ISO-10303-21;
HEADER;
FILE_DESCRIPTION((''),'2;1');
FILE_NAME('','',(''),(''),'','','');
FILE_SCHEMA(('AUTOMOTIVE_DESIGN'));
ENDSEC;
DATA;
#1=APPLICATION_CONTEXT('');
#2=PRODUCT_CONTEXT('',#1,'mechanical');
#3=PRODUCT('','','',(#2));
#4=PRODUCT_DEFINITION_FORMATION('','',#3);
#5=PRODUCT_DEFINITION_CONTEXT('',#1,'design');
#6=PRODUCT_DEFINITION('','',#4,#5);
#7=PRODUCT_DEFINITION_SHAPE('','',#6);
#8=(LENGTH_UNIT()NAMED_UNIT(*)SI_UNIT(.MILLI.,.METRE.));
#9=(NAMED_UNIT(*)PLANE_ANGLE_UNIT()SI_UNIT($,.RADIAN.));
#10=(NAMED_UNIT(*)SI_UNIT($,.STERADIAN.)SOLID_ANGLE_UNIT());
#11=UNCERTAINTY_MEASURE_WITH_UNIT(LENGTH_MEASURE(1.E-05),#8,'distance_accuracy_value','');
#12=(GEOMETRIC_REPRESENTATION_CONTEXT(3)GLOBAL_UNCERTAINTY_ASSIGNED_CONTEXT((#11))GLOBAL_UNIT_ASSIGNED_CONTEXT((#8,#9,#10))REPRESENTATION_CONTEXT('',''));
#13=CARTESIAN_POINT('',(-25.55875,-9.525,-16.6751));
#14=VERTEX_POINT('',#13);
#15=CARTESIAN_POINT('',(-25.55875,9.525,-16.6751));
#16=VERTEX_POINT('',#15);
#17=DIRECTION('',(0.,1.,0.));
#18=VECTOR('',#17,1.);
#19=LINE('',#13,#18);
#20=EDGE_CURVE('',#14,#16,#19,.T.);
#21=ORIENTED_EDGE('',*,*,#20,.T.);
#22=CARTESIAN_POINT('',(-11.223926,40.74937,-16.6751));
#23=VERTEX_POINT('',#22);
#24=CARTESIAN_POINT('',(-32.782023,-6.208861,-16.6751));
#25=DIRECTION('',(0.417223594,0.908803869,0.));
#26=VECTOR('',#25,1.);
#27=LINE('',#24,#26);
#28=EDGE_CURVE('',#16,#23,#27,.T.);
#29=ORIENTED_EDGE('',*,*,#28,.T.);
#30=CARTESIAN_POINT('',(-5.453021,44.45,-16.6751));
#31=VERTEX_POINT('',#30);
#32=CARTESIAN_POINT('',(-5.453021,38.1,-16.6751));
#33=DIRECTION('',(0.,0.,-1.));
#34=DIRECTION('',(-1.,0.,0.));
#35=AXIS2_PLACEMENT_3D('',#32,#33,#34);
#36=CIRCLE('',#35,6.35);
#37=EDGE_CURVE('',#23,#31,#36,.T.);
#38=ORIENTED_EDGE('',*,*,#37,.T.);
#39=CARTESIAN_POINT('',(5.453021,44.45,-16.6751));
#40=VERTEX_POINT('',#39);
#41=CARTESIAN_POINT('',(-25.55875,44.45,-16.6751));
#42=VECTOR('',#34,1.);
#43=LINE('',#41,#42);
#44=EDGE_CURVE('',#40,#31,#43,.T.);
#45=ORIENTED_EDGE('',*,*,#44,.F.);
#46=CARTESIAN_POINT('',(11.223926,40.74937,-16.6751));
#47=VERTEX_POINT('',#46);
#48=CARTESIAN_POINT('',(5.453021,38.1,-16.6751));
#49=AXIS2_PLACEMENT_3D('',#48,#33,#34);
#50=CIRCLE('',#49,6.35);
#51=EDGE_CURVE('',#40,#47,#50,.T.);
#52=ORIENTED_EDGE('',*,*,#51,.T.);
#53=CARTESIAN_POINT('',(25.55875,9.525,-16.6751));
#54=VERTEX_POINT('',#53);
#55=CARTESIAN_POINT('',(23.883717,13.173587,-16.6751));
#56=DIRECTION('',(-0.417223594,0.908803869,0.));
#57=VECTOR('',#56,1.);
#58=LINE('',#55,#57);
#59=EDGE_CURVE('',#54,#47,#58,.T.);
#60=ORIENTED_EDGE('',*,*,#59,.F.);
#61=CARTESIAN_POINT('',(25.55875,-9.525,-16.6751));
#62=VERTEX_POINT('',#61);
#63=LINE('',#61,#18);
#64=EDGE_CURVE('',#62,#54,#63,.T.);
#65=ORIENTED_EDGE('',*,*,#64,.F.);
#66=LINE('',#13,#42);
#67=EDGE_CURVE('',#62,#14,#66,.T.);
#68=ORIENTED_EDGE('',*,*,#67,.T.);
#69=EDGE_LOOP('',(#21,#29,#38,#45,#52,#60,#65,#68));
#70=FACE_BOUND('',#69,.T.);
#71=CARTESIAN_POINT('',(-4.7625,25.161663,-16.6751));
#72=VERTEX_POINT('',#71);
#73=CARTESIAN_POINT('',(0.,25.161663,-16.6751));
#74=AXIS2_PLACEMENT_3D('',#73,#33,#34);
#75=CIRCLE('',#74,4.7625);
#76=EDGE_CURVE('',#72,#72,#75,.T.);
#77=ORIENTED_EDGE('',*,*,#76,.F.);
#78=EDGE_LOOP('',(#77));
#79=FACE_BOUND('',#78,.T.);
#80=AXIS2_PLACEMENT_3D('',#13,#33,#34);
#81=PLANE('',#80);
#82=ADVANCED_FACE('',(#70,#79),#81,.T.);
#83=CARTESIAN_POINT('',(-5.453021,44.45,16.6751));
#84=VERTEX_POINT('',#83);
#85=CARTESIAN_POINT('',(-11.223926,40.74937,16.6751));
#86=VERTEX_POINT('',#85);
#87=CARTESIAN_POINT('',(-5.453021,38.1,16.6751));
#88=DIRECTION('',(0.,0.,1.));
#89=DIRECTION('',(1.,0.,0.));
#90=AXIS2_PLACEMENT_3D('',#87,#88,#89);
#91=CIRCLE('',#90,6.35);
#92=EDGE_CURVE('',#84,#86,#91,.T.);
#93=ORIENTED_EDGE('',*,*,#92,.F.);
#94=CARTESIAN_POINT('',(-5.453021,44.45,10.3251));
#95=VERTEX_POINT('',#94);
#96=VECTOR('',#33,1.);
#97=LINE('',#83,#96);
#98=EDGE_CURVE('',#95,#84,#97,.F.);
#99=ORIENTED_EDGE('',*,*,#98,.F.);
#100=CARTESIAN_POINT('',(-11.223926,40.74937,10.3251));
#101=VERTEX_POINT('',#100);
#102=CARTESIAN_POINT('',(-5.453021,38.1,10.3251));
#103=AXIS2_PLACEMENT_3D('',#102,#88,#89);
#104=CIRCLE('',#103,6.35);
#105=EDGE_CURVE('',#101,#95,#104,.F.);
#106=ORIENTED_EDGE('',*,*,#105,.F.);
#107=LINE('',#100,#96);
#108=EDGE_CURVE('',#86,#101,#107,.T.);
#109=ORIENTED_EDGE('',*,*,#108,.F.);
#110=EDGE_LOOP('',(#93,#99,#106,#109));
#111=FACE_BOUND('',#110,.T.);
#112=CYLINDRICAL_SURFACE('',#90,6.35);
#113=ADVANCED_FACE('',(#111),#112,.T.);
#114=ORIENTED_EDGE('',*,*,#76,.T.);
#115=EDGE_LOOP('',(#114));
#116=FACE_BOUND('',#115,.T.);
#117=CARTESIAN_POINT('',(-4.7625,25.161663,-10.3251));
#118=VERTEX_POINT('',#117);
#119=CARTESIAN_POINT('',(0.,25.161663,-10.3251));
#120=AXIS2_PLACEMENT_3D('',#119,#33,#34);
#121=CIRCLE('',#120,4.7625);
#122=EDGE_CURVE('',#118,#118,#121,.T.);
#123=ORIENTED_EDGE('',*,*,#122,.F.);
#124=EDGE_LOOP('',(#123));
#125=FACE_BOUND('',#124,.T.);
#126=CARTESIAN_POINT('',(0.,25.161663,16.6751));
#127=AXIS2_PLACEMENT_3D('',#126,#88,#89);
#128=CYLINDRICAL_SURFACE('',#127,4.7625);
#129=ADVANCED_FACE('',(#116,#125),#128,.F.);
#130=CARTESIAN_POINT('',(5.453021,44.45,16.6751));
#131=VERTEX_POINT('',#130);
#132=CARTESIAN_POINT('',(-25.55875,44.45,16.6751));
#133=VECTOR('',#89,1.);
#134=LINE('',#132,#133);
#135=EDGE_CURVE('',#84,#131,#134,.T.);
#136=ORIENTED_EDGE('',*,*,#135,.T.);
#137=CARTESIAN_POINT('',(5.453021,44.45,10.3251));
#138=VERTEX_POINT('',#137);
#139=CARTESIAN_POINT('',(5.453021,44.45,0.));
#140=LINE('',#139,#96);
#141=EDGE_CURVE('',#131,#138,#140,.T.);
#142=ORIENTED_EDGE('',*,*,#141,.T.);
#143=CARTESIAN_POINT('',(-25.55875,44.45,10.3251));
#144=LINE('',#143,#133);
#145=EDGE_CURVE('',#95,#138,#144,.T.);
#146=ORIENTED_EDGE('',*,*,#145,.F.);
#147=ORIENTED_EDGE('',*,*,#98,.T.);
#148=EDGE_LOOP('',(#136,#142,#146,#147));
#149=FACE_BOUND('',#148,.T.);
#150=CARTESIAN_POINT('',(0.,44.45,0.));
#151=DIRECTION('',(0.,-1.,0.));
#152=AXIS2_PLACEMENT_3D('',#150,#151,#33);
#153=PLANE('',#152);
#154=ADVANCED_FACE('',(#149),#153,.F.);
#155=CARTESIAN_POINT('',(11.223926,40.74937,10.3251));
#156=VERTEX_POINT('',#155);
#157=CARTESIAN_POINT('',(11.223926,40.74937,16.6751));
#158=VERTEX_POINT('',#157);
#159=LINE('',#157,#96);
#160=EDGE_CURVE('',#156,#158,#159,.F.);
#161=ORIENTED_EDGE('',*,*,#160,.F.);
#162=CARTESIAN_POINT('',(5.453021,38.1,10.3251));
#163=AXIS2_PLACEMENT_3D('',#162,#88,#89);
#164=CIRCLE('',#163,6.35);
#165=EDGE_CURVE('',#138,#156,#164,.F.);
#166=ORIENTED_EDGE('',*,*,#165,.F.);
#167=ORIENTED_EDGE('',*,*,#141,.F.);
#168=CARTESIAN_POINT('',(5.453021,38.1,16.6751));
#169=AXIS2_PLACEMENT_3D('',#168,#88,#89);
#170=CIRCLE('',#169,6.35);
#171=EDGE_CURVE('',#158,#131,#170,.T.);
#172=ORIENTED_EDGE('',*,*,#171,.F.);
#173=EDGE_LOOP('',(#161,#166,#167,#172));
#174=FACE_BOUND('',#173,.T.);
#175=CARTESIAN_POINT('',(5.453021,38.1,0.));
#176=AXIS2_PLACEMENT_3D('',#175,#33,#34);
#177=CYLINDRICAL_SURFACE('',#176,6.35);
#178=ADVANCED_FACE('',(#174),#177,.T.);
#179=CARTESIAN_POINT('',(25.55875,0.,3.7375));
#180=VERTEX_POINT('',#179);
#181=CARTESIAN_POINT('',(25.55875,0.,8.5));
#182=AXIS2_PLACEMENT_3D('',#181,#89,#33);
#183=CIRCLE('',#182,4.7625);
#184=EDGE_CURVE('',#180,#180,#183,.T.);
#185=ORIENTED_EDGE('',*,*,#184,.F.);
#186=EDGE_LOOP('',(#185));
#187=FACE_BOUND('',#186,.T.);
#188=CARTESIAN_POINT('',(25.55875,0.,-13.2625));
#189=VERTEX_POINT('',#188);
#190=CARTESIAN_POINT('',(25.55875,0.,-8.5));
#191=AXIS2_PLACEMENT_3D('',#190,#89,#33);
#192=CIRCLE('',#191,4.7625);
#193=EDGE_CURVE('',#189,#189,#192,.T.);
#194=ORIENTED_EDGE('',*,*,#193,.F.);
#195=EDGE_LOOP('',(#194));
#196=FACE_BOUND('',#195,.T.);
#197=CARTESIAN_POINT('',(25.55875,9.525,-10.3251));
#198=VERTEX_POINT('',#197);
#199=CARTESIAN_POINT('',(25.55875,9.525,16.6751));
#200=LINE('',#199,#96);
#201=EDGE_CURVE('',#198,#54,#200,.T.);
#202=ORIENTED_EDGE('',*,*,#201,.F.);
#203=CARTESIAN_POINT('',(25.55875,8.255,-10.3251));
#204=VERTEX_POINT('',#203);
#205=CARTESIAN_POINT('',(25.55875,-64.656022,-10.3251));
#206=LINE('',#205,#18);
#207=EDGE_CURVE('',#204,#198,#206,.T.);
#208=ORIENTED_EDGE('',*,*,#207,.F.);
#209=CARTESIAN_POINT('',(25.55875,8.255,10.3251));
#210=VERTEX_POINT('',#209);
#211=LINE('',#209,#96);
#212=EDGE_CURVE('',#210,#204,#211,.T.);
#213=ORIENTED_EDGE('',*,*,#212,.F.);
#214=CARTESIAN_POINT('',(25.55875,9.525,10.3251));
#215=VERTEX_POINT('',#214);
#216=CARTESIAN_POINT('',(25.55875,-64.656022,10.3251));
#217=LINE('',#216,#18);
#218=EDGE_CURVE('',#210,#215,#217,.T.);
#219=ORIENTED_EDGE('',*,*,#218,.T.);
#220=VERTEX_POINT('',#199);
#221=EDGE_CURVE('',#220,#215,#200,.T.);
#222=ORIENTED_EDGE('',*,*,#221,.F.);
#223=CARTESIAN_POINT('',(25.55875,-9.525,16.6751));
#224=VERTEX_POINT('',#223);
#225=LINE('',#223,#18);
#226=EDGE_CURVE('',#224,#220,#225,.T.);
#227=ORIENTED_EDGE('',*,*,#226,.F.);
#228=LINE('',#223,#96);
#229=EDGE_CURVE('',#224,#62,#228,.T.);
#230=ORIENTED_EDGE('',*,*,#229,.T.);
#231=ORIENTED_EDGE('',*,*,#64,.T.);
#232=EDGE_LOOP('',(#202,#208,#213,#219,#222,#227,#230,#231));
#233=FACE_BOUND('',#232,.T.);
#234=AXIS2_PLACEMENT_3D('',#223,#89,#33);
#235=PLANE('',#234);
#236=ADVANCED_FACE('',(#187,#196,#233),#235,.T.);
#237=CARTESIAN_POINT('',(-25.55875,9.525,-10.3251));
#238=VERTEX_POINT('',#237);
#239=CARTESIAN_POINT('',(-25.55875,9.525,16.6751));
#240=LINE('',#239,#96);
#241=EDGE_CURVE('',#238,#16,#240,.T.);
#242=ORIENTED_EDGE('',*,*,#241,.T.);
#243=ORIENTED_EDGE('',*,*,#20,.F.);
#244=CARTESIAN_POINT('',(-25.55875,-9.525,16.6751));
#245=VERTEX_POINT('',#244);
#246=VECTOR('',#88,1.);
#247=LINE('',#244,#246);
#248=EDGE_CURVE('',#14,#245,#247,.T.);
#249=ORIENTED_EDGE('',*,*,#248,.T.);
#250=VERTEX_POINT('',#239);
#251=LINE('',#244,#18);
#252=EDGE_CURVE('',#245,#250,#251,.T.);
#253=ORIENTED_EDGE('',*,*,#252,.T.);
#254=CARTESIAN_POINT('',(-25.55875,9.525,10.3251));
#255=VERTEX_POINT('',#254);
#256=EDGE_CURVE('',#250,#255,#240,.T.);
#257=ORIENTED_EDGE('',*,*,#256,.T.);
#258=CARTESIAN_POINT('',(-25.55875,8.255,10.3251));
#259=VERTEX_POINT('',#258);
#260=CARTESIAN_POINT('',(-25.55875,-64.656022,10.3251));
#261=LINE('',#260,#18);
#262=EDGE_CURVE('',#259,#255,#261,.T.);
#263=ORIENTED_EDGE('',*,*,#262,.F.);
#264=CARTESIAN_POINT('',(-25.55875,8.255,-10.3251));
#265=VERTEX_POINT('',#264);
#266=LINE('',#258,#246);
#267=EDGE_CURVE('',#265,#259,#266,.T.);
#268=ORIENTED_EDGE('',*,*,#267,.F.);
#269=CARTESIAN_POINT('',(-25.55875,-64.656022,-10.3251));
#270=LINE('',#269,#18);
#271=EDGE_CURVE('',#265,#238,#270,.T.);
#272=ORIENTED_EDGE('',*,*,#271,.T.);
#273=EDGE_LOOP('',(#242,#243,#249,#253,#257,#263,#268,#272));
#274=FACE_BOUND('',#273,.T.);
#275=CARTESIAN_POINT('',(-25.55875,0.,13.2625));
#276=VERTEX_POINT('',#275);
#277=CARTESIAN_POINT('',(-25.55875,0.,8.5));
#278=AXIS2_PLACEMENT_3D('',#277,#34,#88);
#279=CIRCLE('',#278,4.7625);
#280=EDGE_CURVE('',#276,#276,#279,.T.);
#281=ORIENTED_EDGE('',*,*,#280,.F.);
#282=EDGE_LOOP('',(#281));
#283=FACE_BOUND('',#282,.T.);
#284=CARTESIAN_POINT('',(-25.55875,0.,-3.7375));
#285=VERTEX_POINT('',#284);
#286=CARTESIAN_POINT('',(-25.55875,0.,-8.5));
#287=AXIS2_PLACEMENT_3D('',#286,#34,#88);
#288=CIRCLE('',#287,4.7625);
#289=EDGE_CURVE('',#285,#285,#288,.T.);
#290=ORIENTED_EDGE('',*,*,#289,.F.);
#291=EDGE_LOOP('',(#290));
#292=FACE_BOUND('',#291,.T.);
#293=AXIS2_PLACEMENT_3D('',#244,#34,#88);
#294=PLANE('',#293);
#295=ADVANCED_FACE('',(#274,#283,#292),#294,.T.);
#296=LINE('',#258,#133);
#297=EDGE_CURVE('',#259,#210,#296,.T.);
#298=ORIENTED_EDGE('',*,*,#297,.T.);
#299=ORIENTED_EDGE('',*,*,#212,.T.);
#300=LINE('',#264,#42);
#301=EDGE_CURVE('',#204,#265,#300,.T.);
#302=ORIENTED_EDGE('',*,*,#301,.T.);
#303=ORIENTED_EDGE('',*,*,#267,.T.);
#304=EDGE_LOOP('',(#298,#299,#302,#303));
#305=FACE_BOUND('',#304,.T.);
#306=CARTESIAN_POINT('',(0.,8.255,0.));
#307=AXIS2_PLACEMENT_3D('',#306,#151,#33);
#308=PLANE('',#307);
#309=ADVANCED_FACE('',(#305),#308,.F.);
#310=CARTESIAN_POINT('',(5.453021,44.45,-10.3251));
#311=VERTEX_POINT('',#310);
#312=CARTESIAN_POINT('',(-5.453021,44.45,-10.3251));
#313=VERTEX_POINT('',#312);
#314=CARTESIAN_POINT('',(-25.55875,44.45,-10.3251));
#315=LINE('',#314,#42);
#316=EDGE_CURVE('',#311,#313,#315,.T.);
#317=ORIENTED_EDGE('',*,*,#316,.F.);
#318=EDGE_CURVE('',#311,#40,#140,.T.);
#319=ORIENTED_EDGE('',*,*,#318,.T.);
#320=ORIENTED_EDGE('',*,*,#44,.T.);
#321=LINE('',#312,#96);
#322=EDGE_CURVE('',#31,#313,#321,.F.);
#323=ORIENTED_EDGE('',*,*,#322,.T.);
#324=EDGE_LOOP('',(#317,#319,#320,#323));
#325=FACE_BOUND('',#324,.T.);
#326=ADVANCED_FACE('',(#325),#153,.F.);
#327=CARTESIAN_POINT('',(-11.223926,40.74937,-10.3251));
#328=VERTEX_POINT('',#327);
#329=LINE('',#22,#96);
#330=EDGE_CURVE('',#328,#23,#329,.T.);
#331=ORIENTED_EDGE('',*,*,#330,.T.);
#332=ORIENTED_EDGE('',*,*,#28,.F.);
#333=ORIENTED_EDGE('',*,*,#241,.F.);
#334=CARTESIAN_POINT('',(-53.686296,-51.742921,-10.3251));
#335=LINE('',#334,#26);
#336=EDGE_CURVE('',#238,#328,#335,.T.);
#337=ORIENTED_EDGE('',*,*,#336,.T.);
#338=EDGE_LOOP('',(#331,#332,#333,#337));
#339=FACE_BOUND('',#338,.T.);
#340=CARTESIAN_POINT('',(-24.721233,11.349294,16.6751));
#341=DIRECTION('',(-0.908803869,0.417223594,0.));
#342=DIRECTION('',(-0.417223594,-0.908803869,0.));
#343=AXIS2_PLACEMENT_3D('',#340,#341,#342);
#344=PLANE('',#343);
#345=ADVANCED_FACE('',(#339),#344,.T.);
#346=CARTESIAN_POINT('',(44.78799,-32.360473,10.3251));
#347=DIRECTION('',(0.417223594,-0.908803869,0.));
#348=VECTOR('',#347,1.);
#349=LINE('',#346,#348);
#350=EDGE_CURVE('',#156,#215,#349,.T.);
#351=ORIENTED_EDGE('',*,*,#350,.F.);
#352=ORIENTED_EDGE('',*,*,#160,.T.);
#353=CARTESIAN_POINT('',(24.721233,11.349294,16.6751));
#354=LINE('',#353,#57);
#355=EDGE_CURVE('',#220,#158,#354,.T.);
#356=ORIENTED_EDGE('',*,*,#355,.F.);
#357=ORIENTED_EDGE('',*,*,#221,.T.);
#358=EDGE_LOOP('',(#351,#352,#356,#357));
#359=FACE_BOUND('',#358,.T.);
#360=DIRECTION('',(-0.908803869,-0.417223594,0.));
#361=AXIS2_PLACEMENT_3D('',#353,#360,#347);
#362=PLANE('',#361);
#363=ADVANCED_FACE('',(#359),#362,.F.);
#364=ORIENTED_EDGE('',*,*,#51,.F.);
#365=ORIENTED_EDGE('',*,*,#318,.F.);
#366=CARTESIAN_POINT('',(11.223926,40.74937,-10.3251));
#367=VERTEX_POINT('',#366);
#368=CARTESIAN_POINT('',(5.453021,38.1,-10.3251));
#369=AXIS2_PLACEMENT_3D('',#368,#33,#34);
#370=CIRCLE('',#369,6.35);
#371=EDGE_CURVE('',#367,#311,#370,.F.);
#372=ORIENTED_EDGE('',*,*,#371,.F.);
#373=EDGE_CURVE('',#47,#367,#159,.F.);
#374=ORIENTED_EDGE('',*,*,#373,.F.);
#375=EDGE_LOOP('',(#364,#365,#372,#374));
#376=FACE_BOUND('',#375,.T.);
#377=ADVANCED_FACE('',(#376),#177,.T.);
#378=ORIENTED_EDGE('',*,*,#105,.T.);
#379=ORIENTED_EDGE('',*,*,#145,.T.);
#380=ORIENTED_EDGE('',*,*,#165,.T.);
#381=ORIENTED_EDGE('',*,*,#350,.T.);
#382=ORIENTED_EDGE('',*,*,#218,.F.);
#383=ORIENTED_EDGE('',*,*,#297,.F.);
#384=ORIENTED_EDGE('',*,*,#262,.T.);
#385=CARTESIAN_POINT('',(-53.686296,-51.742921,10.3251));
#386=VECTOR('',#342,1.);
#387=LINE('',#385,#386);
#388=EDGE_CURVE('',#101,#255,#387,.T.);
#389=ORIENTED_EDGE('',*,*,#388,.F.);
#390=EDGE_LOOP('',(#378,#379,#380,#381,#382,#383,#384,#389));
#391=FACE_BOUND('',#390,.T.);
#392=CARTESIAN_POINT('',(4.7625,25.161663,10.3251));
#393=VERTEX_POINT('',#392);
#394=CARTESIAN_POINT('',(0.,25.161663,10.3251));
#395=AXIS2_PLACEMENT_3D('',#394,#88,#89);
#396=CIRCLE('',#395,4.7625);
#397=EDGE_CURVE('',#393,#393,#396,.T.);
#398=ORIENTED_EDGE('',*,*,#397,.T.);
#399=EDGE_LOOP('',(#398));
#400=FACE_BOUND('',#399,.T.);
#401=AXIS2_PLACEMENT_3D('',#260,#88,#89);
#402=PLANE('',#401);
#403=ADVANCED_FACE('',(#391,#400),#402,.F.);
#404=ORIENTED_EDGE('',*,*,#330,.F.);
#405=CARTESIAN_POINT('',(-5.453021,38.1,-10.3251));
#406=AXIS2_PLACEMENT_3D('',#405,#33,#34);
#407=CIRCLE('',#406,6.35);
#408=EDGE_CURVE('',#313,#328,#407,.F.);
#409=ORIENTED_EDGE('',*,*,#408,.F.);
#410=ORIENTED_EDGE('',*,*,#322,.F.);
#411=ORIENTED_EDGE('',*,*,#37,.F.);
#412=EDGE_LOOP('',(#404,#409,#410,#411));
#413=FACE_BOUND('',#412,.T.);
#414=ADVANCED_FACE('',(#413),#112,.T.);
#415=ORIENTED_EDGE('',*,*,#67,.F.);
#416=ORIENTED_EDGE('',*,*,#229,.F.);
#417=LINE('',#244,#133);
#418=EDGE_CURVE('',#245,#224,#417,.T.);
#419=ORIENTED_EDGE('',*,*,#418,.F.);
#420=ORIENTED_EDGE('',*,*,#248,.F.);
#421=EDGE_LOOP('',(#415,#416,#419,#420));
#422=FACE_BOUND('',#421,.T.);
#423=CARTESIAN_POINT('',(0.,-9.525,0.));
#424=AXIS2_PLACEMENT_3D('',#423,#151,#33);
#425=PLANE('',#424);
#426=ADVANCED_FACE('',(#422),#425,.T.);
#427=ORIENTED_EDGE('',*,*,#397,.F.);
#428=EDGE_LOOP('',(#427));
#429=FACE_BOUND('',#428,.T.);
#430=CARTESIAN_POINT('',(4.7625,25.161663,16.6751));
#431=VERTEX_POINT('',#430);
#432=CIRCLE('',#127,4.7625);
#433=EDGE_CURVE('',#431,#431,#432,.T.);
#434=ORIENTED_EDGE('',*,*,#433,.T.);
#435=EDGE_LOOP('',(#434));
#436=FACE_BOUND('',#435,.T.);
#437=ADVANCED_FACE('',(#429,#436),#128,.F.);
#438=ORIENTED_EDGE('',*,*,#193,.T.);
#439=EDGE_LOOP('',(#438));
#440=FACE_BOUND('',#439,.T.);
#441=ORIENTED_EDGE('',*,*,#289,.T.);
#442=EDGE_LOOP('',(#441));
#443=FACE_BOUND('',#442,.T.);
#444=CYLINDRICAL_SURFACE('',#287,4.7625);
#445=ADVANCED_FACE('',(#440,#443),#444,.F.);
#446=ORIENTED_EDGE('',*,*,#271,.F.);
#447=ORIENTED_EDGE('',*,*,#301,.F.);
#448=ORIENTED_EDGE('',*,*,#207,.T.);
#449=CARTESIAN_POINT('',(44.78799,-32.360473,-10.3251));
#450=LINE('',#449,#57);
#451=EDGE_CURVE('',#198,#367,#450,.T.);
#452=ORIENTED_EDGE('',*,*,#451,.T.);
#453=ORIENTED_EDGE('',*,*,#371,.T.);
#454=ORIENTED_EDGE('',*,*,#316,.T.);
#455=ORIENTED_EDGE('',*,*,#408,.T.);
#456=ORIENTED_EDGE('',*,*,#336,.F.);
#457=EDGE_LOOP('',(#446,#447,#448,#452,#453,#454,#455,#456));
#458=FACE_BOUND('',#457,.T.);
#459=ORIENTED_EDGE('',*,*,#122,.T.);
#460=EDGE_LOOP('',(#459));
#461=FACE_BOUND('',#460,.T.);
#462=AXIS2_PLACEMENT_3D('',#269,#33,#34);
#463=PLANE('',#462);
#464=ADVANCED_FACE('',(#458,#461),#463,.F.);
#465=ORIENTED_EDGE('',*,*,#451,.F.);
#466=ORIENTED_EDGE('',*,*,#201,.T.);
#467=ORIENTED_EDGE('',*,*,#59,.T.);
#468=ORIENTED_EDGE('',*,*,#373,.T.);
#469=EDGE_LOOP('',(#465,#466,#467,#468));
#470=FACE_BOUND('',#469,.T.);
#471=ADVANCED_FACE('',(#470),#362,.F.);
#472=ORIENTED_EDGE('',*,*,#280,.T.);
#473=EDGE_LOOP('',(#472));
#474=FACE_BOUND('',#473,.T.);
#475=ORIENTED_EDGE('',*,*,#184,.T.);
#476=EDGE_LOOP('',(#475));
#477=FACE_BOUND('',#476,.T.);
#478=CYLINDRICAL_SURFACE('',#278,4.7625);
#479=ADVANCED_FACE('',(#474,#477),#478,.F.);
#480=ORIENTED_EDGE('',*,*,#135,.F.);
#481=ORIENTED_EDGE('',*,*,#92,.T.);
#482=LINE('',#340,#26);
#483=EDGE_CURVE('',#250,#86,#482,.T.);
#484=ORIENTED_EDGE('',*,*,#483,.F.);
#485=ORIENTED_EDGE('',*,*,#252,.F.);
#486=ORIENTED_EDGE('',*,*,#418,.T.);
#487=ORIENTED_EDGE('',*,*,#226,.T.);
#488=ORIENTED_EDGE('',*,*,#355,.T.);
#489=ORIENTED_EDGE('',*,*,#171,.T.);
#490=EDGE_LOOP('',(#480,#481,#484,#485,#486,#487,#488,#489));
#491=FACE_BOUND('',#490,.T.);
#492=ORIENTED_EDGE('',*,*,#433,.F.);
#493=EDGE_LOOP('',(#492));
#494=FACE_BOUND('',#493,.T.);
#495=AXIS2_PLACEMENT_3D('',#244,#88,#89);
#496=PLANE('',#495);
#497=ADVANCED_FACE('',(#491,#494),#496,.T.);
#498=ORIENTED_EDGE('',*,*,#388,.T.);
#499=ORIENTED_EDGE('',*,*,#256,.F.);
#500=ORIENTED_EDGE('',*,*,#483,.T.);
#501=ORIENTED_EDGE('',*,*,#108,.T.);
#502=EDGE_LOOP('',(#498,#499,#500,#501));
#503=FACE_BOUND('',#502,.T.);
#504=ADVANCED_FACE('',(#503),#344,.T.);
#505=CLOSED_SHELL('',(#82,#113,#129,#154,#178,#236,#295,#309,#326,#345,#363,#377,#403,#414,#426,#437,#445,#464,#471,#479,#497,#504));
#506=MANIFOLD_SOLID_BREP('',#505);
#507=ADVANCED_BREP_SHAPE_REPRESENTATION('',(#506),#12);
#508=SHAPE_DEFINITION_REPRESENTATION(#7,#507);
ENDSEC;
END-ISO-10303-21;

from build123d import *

# Parameters (mm, degrees)
BOSS_EXTRUDE1_DEPTH          = 44.45
BOSS_EXTRUDE1_DEPTH_BACK     = 9.525
SKETCH1_W                    = 51.1175
SKETCH1_H                    = 33.3502
SKETCH2_W                    = 51.1175
SKETCH2_H                    = 20.6502
CUT_EXTRUDE1_DEPTH           = 36.195
CUT_EXTRUDE2_DEPTH           = 62.166069365
CUT_EXTRUDE2_DEPTH_BACK      = 62.166069365
FILLET3_R                    = 6.35
F_3_8_0_375_DIAMETER_HOLE1_D = 9.525
F_3_8_0_375_DIAMETER_HOLE2_D = 9.525


with BuildPart() as part:
    # Sketch1 → Boss-Extrude1 (new, two sides: drawn at the far end of the back side and taken through both)
    with BuildSketch(Plane(origin=(0, 0, 0), x_dir=(1, 0, 0), z_dir=(0, 1, 0)).offset(-BOSS_EXTRUDE1_DEPTH_BACK)):
        Rectangle(SKETCH1_W, SKETCH1_H)
    extrude(amount=BOSS_EXTRUDE1_DEPTH + BOSS_EXTRUDE1_DEPTH_BACK)

    # Sketch2 → Cut-Extrude1 (cut)
    with BuildSketch(Plane(origin=(0, 44.45, 0), x_dir=(1, 0, 0), z_dir=(0, 1, 0))):
        Rectangle(SKETCH2_W, SKETCH2_H)
    extrude(amount=-CUT_EXTRUDE1_DEPTH, mode=Mode.SUBTRACT)

    # Sketch3 → Cut-Extrude2 (cut, two sides: drawn at the far end of the back side and taken through both)
    with BuildSketch(Plane(origin=(0, 0, -16.6751), x_dir=(-1, 0, 0), z_dir=(0, 0, -1)).offset(-CUT_EXTRUDE2_DEPTH_BACK)):
        Polygon((25.55875, 44.45), (9.525, 44.45), (25.55875, 9.525), align=None)
        Polygon((-25.55875, 9.525), (-9.525, 44.45), (-25.55875, 44.45), align=None)
    extrude(amount=CUT_EXTRUDE2_DEPTH + CUT_EXTRUDE2_DEPTH_BACK, mode=Mode.SUBTRACT)

    # Fillet3
    fillet3_edges = [part.edges().sort_by_distance(p)[0] for p in [
        (-9.525, 44.45, -13.5001),
        (-9.525, 44.45, 13.5001),
        (9.525, 44.45, -13.5001),
        (9.525, 44.45, 13.5001),
    ]]
    fillet(fillet3_edges, radius=FILLET3_R)

    # 3/8 (0.375) Diameter Hole1 (through all)
    with Locations(Plane.XY.offset(16.6751)):
        with Locations((0, 25.161662577)):
            Hole(F_3_8_0_375_DIAMETER_HOLE1_D / 2)

    # 3/8 (0.375) Diameter Hole2 (through all)
    with Locations(Plane.ZY.offset(25.55875)):
        with Locations((-8.5, 0), (8.5, 0)):
            Hole(F_3_8_0_375_DIAMETER_HOLE2_D / 2)


solid = part.part
